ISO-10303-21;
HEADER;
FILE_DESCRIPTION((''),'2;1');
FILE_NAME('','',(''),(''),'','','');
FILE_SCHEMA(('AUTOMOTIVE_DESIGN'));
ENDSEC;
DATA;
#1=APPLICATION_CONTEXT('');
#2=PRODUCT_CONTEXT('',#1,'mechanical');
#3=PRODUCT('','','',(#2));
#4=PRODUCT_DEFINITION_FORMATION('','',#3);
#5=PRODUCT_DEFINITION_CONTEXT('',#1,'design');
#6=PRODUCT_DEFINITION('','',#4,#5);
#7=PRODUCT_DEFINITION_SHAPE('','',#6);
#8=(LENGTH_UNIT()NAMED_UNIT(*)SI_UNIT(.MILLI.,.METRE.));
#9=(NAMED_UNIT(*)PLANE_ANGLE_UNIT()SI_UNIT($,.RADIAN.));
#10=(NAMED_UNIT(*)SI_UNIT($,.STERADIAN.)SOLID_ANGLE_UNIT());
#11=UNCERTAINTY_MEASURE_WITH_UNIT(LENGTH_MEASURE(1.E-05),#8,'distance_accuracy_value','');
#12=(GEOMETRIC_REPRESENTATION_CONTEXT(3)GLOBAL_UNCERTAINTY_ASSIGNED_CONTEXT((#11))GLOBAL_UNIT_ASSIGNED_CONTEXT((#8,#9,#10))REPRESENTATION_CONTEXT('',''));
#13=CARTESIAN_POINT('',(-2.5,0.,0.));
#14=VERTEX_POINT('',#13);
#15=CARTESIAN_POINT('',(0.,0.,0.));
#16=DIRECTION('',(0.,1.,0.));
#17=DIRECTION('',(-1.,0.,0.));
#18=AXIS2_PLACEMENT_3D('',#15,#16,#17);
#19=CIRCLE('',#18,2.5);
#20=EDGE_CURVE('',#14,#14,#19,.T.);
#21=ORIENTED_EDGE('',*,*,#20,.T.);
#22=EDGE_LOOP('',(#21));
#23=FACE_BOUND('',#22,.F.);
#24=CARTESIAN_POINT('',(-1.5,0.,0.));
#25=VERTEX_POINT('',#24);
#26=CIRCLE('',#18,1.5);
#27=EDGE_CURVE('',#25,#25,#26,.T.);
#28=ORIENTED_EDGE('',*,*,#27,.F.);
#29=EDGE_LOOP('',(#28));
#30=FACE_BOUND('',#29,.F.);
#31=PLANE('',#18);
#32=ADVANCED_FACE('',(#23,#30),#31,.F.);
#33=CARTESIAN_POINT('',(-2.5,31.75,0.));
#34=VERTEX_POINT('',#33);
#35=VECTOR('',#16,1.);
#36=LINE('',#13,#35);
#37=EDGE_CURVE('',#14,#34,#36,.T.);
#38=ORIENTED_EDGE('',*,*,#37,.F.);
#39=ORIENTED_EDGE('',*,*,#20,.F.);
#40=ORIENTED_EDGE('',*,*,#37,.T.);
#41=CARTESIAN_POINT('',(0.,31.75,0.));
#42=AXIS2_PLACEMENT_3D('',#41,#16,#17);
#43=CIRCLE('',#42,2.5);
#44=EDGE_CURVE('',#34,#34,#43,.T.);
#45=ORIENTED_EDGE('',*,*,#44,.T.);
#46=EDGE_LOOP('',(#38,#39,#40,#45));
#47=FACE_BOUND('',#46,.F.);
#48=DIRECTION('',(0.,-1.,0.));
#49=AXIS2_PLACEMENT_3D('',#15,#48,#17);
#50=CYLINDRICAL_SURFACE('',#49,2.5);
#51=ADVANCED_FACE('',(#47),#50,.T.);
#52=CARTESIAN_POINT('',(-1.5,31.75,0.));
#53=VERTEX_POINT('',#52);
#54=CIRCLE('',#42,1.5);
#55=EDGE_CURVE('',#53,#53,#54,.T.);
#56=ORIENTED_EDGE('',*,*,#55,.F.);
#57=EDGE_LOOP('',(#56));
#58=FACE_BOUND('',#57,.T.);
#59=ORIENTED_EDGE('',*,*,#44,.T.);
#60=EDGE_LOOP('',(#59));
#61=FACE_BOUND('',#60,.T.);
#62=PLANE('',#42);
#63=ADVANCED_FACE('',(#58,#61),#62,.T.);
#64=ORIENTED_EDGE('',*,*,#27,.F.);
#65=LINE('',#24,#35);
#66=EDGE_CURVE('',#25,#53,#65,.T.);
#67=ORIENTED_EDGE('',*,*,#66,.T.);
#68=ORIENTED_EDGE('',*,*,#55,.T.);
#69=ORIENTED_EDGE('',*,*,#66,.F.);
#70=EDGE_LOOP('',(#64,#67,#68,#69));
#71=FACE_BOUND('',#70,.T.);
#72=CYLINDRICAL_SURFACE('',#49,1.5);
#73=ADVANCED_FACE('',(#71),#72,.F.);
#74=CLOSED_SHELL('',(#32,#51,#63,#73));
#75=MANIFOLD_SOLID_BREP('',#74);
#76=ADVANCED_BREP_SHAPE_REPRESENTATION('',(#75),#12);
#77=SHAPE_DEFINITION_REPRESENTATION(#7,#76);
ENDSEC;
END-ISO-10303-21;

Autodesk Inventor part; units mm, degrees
ref_plane "YZ Plane" through (0, 0, 0) normal (1, 0, 0) x (0, 1, 0)
ref_plane "XZ Plane" through (0, 0, 0) normal (0, 1, 0) x (-1, 0, 0)
ref_plane "XY Plane" through (0, 0, 0) normal (0, 0, 1) x (1, 0, 0)
sketch "Sketch1" plane through (0, 0, 0) normal (0, 1, 0) x (-1, 0, 0)
  circle A0 centre (0, 0) radius 2.5
  circle A1 centre (0, 0) radius 1.5
  dimension "d0" = 5
  dimension "d1" = 3
extrude "Extrusion1" add sketch "Sketch1" along normal blind 31.75
properties part number "oneandquarterin_spacer"
